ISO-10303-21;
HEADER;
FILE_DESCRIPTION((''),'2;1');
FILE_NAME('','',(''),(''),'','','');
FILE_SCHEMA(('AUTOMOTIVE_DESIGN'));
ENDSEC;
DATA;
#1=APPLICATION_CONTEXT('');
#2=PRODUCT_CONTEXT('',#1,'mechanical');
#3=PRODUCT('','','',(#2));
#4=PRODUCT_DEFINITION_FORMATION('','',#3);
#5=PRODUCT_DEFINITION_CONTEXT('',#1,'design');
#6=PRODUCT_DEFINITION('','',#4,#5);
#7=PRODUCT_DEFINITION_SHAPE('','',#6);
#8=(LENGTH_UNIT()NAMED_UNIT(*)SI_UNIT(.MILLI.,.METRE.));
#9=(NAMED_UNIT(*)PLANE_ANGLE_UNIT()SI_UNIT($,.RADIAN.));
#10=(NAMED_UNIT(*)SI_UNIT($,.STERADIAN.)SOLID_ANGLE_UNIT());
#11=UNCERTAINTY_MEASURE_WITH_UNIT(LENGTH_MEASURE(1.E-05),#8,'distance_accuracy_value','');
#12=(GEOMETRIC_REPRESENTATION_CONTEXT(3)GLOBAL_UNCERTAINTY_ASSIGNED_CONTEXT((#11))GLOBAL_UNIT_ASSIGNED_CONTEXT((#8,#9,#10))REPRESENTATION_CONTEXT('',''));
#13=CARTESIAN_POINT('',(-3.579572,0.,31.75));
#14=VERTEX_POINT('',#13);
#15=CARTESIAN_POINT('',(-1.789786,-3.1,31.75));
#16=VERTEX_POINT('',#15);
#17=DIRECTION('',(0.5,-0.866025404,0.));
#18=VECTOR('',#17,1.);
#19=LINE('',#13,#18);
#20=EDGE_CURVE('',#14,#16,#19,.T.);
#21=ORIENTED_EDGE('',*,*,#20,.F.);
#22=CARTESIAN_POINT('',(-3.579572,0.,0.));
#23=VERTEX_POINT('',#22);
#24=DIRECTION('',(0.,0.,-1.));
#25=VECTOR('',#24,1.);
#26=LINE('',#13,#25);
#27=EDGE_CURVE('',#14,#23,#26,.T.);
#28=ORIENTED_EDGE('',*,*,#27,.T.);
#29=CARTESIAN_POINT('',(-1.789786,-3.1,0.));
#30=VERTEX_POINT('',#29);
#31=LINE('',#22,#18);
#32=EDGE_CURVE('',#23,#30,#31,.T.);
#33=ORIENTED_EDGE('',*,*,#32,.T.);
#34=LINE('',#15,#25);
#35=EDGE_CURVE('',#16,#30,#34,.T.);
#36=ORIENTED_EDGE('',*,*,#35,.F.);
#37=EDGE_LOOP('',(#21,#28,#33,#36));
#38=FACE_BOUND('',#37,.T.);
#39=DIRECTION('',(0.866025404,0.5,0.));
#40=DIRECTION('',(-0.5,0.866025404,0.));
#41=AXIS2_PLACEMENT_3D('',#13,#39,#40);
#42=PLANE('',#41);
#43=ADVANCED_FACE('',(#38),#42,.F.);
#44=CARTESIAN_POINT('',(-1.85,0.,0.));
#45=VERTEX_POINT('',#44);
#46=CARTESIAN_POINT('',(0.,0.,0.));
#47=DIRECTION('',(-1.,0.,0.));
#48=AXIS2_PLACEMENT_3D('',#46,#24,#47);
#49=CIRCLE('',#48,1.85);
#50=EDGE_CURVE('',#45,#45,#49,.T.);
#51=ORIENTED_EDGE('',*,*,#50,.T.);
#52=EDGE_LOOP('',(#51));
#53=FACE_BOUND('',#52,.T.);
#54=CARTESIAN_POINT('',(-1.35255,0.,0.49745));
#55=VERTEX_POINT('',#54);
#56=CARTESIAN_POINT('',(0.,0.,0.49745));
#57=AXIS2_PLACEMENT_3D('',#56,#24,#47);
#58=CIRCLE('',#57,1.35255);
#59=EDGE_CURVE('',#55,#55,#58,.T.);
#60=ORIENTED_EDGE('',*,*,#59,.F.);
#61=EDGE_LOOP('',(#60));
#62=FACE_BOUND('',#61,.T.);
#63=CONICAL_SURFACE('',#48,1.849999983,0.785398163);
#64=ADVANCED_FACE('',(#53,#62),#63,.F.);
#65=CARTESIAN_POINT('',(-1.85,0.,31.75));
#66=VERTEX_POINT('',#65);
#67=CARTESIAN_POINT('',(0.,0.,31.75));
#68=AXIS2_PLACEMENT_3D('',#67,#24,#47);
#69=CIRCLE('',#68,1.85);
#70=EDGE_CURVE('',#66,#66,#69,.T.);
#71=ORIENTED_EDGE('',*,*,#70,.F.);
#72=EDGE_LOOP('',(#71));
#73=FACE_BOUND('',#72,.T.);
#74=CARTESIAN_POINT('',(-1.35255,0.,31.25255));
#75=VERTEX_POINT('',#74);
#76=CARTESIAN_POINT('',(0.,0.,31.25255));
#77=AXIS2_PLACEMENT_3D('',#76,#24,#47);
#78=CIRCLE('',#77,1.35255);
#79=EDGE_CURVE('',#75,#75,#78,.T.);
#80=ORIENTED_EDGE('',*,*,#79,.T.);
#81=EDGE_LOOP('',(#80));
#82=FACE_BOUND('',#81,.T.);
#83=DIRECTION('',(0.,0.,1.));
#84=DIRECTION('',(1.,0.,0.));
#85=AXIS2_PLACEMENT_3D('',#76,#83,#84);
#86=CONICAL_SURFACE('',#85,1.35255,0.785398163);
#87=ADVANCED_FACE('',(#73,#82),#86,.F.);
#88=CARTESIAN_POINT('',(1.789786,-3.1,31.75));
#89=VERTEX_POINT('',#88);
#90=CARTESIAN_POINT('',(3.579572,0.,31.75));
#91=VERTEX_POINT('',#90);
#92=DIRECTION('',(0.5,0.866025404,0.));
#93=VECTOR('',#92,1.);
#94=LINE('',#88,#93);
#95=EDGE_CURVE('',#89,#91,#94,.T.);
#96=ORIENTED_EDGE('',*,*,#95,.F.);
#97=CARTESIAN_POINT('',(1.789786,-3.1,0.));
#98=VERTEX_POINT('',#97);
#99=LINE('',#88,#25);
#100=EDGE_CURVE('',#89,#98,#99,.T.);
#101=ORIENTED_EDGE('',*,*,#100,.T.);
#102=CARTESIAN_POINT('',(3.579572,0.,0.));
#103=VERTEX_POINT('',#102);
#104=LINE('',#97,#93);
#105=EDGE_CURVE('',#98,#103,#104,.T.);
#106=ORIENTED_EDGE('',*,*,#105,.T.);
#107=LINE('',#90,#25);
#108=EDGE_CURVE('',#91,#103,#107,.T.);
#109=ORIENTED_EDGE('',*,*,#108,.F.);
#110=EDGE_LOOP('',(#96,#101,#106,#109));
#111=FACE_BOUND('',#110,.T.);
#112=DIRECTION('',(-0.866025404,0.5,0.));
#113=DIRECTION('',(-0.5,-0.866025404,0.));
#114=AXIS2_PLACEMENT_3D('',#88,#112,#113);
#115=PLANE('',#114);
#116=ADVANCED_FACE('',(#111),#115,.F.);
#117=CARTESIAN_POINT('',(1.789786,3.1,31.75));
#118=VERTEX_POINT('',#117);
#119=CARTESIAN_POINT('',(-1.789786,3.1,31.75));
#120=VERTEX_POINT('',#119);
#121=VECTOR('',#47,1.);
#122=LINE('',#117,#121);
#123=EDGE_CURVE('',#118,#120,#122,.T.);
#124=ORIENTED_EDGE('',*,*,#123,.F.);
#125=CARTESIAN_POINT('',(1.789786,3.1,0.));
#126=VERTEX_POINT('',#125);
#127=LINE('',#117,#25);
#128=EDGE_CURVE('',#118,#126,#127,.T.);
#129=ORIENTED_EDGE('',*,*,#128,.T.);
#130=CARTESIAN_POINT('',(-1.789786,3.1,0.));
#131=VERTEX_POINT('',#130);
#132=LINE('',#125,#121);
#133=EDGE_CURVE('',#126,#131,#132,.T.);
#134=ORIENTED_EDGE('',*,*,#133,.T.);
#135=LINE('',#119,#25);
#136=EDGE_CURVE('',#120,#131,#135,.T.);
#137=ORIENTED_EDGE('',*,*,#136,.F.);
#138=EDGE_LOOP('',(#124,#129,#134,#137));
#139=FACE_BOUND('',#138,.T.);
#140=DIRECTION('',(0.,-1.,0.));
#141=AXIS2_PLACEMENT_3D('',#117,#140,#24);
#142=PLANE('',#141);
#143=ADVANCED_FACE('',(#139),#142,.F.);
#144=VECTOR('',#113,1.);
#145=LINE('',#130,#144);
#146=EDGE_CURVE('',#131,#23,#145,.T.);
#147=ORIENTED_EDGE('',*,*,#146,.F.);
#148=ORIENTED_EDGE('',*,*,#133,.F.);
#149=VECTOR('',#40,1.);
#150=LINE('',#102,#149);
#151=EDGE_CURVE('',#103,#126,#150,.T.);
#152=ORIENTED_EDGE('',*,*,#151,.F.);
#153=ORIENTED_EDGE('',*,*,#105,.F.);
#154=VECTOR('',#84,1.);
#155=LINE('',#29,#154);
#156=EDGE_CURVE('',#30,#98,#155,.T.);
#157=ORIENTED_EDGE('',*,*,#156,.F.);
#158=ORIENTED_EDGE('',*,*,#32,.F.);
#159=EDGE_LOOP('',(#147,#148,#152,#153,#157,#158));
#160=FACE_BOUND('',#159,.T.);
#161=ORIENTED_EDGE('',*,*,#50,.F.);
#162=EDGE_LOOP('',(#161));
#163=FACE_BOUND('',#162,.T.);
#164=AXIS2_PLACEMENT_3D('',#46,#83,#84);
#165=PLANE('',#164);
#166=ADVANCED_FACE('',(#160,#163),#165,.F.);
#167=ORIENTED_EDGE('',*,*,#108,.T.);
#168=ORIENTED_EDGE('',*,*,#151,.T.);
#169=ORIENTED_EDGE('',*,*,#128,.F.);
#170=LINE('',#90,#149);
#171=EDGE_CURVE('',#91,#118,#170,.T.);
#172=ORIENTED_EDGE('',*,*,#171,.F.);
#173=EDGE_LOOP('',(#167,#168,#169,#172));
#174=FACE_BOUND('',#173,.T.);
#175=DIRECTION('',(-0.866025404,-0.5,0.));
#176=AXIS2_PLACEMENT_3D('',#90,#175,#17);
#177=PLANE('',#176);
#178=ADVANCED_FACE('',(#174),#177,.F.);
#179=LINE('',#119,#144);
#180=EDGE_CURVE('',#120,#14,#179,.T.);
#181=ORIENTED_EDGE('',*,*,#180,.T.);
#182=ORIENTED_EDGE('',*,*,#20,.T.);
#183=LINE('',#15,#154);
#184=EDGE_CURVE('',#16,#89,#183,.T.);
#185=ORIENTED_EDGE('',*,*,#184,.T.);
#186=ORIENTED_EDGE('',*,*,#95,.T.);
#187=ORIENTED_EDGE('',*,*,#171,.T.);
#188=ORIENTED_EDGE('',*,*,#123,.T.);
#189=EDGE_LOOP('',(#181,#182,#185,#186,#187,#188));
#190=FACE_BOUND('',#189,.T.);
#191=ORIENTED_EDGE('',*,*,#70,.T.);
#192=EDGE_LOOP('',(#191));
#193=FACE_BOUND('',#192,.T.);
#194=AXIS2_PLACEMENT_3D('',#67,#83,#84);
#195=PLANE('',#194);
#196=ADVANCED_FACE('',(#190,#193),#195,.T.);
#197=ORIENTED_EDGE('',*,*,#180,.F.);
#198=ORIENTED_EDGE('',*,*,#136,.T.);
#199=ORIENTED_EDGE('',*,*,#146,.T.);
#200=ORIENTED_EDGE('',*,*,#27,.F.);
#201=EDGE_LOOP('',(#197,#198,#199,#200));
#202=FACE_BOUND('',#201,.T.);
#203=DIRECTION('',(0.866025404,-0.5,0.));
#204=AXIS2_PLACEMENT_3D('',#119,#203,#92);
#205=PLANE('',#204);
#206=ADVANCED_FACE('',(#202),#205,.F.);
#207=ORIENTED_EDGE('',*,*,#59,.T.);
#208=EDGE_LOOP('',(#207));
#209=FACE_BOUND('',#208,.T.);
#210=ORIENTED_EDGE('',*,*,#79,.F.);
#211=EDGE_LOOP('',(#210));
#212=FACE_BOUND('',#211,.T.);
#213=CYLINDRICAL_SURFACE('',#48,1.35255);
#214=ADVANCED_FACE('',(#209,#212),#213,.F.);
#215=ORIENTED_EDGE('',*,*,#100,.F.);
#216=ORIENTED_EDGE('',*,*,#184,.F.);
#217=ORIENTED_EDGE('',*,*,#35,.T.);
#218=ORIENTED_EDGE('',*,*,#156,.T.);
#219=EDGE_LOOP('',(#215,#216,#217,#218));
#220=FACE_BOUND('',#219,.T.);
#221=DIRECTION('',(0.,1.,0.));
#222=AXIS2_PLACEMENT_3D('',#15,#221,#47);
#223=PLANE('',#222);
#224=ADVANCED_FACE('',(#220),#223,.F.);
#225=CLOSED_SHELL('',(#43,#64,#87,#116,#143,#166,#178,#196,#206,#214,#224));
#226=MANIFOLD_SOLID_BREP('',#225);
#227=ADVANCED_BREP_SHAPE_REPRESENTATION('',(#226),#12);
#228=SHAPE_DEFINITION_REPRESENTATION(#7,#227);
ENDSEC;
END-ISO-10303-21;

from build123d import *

# Parameters (mm, degrees)
BOSS_EXTRUDE1_DEPTH = 31.75


with BuildPart() as part:
    # Sketch1 → Boss-Extrude1 (new body)
    with BuildSketch(Plane.XY):
        Polygon((-3.579571669, 0), (-1.789785834, -3.1), (1.789785834, -3.1), (3.579571669, 0), (1.789785834, 3.1), (-1.789785834, 3.1), align=None)
    extrude(amount=BOSS_EXTRUDE1_DEPTH)

    # Sketch3 → #6-32 Tapped Hole1 (revolve, cut)
    with BuildSketch(Plane.YZ):
        Polygon((0, 0), (0, 31.75), (1.849999983, 31.75), (1.35255, 31.252550017), (1.35255, 0.497449983), (1.849999983, 0), align=None)
    revolve(axis=Axis((0, 0, -6.35), (0, 0, 1)), mode=Mode.SUBTRACT)


solid = part.part
